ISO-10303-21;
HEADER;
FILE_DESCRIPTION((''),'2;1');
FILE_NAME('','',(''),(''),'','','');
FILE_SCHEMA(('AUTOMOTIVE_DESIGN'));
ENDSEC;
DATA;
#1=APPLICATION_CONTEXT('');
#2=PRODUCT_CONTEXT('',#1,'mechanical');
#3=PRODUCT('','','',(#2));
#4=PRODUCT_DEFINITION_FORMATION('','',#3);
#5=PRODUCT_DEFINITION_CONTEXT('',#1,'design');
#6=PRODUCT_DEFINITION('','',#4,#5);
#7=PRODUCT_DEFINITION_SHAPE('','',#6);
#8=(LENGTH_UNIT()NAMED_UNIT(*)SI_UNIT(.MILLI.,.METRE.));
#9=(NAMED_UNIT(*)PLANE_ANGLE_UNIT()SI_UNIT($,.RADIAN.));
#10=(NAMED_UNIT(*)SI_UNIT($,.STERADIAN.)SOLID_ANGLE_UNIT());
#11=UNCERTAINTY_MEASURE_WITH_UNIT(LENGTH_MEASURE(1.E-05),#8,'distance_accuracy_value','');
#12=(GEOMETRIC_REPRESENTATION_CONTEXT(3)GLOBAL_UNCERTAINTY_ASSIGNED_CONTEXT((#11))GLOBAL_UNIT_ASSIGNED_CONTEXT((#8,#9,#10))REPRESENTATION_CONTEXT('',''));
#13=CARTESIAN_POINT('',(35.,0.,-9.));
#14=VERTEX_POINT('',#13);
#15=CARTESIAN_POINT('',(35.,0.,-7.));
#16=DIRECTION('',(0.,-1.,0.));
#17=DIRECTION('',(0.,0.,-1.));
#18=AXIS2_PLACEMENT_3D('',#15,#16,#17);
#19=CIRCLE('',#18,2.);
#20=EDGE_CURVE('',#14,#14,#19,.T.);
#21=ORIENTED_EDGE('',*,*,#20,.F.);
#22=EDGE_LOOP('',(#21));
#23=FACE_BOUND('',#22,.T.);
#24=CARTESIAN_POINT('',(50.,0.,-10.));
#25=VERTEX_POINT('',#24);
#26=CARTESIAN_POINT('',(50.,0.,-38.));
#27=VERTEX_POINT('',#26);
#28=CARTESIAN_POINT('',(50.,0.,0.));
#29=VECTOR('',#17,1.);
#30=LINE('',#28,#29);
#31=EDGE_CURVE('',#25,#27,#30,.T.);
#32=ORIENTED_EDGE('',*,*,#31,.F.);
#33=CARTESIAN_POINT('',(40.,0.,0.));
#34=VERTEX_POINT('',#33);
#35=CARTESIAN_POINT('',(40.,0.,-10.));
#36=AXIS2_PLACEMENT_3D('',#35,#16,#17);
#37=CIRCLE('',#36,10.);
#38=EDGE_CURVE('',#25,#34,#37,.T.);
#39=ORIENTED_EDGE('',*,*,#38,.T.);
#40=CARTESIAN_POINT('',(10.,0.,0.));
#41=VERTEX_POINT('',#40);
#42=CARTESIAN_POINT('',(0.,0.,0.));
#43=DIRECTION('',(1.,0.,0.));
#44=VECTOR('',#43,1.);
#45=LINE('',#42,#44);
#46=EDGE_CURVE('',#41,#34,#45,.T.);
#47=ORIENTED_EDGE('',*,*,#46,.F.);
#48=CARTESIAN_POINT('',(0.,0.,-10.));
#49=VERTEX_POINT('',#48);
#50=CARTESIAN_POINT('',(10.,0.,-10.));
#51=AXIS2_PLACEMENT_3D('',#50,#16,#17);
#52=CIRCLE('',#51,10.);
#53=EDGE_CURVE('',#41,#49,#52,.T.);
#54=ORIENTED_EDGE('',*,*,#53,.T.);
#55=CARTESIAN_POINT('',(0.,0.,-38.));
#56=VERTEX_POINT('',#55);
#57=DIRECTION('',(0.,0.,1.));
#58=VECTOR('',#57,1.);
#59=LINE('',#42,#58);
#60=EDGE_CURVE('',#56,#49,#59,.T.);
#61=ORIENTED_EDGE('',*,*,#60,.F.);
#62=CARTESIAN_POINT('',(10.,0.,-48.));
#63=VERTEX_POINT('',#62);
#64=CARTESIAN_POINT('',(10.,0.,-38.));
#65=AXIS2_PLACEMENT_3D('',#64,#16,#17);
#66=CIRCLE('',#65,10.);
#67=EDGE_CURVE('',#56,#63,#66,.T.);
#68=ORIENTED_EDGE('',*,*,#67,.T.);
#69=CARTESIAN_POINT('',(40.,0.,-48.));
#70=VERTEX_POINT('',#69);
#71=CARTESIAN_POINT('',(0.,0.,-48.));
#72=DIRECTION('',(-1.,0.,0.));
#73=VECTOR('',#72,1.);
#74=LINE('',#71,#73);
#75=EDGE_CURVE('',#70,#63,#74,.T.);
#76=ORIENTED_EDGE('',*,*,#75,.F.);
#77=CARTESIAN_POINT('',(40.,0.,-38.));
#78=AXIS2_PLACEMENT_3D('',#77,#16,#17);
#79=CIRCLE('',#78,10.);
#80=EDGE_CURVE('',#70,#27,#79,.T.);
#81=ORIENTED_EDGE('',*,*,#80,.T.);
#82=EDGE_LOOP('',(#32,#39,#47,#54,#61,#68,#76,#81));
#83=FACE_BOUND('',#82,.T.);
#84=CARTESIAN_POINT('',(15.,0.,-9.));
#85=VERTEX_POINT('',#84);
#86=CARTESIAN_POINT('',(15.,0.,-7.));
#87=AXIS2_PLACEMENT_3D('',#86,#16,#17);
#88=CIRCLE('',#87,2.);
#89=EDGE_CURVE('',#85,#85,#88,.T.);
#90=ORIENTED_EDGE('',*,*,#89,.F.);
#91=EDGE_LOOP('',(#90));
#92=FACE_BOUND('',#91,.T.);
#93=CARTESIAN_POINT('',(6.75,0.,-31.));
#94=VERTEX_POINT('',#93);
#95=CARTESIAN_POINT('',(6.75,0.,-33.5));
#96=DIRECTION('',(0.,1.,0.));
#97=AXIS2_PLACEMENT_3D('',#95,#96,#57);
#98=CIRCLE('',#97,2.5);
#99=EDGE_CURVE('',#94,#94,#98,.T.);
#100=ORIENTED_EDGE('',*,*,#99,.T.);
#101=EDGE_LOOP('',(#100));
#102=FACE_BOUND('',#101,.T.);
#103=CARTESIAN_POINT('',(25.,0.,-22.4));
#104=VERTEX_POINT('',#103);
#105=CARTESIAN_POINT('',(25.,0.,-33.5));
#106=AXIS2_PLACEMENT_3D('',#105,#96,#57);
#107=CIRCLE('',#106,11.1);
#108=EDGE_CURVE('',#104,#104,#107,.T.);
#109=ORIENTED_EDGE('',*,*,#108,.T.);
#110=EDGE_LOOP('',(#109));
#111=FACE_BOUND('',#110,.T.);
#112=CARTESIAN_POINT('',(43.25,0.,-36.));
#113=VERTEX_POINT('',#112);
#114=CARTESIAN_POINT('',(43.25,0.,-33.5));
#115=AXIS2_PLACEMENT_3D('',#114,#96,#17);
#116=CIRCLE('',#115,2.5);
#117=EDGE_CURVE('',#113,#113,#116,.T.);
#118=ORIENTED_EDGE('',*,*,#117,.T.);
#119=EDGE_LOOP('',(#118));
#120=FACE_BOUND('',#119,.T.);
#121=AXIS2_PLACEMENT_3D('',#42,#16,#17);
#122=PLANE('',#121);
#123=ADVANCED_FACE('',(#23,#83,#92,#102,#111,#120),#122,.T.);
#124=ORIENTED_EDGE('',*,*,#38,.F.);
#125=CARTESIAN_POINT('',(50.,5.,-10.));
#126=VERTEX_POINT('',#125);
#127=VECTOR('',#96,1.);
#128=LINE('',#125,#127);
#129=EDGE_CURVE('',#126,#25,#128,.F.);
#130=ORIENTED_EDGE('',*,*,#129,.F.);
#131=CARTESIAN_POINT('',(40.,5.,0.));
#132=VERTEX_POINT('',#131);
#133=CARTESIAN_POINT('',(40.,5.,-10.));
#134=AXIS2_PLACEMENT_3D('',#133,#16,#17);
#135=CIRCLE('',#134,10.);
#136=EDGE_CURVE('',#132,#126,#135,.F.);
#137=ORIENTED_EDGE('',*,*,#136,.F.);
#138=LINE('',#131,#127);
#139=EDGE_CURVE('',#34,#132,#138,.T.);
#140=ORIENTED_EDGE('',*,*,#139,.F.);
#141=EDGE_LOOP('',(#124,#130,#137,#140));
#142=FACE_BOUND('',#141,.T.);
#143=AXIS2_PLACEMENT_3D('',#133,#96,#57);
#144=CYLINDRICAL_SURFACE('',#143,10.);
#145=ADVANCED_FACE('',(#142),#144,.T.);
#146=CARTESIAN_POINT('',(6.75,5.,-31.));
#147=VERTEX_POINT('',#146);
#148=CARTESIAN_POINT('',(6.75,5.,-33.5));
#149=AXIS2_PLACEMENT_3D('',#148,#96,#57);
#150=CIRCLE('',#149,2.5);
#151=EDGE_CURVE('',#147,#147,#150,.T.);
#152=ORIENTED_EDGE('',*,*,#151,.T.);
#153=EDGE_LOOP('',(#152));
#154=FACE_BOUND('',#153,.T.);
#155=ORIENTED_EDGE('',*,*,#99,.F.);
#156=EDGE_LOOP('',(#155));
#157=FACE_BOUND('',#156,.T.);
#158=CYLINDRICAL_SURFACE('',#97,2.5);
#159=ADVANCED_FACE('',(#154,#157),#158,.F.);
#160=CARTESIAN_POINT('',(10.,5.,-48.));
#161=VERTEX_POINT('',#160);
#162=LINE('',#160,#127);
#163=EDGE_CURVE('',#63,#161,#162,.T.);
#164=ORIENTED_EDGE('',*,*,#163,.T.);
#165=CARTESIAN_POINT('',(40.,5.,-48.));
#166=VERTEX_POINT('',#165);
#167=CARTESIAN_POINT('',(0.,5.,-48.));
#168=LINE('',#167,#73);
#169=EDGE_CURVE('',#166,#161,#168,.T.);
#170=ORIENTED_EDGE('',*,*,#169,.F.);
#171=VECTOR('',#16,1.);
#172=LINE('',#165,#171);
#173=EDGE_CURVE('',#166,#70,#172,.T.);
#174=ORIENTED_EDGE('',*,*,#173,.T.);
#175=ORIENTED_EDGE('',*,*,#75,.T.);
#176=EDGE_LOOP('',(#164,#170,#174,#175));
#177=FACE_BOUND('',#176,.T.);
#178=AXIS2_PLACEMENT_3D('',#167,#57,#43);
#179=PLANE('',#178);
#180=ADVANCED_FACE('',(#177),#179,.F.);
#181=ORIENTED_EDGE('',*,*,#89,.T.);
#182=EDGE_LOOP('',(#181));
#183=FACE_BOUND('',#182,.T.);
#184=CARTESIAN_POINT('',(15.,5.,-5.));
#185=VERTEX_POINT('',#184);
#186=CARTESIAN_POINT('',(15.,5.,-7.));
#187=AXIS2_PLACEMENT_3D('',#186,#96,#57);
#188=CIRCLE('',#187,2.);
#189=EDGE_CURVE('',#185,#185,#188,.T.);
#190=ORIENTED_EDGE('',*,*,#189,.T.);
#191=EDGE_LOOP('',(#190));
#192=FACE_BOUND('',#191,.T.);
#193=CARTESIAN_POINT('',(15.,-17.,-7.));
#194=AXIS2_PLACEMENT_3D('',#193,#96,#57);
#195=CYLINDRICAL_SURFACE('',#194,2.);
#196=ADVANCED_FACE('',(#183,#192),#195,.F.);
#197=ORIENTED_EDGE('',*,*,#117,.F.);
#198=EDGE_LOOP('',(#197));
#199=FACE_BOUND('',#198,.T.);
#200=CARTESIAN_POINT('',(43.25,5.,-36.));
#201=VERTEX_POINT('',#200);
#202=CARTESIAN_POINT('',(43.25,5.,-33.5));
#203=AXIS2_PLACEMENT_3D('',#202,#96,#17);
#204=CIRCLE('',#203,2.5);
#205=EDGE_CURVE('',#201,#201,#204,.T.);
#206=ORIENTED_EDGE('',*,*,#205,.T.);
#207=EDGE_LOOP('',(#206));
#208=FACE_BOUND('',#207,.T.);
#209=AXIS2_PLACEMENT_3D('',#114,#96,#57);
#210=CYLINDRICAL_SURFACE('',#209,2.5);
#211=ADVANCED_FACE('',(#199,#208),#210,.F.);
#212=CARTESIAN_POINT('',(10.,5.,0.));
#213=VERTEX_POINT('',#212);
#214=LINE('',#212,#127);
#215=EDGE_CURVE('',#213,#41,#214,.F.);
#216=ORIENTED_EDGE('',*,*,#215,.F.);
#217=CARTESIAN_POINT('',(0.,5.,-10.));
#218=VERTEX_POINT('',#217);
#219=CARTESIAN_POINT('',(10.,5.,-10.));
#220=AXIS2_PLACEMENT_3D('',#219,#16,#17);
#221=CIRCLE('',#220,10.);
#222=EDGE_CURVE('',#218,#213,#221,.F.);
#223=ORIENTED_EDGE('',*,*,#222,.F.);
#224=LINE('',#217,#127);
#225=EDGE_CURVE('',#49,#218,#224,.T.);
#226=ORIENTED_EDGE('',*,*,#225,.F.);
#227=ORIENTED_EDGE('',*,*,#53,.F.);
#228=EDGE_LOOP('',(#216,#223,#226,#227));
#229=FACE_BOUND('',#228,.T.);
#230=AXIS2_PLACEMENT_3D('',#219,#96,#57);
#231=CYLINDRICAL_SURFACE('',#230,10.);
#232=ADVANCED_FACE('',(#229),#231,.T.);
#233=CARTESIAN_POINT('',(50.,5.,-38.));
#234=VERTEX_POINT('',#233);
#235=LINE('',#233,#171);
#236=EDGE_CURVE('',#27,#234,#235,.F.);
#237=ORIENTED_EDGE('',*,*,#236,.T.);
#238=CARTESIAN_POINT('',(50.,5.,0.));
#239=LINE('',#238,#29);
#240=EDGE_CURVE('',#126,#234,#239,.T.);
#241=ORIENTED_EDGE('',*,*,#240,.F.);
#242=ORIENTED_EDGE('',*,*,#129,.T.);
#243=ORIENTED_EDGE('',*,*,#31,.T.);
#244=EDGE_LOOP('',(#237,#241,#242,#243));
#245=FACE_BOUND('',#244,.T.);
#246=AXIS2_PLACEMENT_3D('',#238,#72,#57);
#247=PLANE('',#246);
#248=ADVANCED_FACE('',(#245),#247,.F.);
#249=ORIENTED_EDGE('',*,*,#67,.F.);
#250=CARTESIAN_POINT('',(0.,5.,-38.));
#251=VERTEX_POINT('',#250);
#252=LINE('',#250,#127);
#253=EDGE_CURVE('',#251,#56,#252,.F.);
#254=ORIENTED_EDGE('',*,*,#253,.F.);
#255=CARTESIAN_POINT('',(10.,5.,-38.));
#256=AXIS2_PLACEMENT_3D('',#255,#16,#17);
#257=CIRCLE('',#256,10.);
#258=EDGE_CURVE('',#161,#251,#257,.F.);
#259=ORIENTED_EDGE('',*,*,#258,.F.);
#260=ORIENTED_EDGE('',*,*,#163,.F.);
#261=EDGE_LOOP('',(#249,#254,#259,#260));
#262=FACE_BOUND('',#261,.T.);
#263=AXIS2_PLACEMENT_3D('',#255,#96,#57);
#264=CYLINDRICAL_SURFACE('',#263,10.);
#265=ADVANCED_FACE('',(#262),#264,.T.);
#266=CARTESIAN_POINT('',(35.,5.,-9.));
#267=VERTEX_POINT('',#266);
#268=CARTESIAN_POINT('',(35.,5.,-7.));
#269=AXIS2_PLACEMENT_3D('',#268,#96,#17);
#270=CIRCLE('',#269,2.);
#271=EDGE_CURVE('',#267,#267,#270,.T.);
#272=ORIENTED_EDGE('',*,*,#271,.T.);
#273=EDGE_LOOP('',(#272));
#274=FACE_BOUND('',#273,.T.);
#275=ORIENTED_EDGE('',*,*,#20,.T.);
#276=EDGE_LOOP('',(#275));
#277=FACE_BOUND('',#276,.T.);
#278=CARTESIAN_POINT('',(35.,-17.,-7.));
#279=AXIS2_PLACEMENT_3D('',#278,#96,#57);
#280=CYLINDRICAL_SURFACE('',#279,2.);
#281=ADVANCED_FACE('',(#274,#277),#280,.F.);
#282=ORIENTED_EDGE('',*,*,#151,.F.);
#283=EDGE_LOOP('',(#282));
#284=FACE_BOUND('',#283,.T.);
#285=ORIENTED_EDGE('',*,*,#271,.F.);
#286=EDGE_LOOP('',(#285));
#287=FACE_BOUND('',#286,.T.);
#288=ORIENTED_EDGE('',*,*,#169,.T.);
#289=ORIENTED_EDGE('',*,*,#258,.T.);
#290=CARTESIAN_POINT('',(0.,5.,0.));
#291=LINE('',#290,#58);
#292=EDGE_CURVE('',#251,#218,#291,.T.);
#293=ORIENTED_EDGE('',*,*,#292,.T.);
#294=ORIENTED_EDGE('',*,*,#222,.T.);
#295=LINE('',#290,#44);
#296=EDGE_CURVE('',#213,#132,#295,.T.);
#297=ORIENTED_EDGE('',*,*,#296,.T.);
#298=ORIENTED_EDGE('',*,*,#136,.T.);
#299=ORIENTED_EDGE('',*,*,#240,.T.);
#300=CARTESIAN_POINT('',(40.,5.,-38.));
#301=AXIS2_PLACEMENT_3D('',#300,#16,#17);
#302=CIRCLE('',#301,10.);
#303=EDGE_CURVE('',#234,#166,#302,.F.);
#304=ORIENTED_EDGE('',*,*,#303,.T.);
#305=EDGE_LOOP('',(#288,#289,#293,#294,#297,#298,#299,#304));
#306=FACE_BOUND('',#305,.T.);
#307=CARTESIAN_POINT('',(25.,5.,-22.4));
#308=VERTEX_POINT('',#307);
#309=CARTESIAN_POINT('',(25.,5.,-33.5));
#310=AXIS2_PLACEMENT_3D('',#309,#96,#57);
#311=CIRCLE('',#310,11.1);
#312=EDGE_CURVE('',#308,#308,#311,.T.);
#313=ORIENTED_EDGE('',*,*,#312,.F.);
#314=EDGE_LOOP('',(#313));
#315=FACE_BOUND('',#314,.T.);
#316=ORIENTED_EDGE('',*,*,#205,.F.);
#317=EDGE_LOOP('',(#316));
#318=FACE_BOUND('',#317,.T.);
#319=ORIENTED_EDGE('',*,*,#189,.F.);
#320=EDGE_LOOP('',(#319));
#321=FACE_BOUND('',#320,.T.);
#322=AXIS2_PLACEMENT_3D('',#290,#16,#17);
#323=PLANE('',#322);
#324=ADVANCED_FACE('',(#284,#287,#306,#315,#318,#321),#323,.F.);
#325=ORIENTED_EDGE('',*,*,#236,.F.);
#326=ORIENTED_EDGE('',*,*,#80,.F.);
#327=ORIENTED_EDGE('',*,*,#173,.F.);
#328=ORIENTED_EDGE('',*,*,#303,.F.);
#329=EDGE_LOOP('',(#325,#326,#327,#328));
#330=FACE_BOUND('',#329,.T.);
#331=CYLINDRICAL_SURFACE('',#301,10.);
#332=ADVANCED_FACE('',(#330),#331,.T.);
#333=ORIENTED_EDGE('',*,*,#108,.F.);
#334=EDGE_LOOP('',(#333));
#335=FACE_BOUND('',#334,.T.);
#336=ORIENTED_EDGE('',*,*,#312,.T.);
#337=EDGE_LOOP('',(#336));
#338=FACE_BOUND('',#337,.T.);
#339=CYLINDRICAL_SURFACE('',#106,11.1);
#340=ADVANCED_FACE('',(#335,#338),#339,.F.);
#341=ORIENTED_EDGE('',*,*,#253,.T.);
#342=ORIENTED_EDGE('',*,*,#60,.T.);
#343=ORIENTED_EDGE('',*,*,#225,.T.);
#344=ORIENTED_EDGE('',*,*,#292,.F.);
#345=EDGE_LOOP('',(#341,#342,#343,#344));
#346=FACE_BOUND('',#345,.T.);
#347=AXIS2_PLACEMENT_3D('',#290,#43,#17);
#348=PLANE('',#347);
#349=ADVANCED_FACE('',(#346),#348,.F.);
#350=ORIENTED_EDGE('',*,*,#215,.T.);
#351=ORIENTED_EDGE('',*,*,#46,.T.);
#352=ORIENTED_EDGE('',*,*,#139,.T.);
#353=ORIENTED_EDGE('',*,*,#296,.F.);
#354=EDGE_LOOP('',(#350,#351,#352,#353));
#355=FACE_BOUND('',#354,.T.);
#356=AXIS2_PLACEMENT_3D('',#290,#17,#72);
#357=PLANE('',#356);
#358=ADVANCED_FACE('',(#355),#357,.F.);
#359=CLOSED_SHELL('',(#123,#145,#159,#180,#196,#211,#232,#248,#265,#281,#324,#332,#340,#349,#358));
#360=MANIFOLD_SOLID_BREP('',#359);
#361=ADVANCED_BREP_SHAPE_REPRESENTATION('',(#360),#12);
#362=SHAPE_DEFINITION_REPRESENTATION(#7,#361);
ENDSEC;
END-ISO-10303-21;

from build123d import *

# Parameters (mm, degrees)
ESBO_O1_W                = 50
ESBO_O1_H                = 48
RESSALTO_EXTRUS_O1_DEPTH = 5
ESBO_O2_R                = 11.1
ESBO_O2_R_2              = 2.5
CORTE_EXTRUS_O1_DEPTH    = 5
FILETE1_R                = 10
FILETE2_R                = 10
FILETE3_R                = 10
FILETE4_R                = 10
ESBO_O3_R                = 2
CORTE_EXTRUS_O2_DEPTH    = 22


with BuildPart() as part:
    # Esboço1 → Ressalto-extrusão1 (new body)
    with BuildSketch(Plane(origin=(0, 0, 0), x_dir=(1, 0, 0), z_dir=(0, 1, 0))):
        with Locations((25, 24)):
            Rectangle(ESBO_O1_W, ESBO_O1_H)
    extrude(amount=RESSALTO_EXTRUS_O1_DEPTH)

    # Esboço2 → Corte-extrusão1 (cut)
    with BuildSketch(Plane(origin=(0, 5, 0), x_dir=(1, 0, 0), z_dir=(0, 1, 0))):
        with Locations(Location((25, 33.5, 0), (0, 0, 270))):
            Circle(ESBO_O2_R)
        with Locations(Location((6.75, 33.5, 0), (0, 0, 270))):
            Circle(ESBO_O2_R_2)
        with Locations(Location((43.25, 33.5, 0), (0, 0, 90))):
            Circle(ESBO_O2_R_2)
    extrude(amount=-CORTE_EXTRUS_O1_DEPTH, mode=Mode.SUBTRACT)

    # Filete1
    filete1_edges = [part.edges().sort_by_distance(p)[0] for p in [
        (50, 2.5, 0),
    ]]
    fillet(filete1_edges, radius=FILETE1_R)

    # Filete2
    filete2_edges = [part.edges().sort_by_distance(p)[0] for p in [
        (0, 2.5, 0),
    ]]
    fillet(filete2_edges, radius=FILETE2_R)

    # Filete3
    filete3_edges = [part.edges().sort_by_distance(p)[0] for p in [
        (50, 2.5, -48),
    ]]
    fillet(filete3_edges, radius=FILETE3_R)

    # Filete4
    filete4_edges = [part.edges().sort_by_distance(p)[0] for p in [
        (0, 2.5, -48),
    ]]
    fillet(filete4_edges, radius=FILETE4_R)

    # Esboço3 → Corte-extrusão2 (cut)
    with BuildSketch(Plane(origin=(0, 5, 0), x_dir=(1, 0, 0), z_dir=(0, 1, 0))):
        with Locations(Location((15, 7, 0), (0, 0, 270))):
            Circle(ESBO_O3_R)
        with Locations(Location((35, 7, 0), (0, 0, 90))):
            Circle(ESBO_O3_R)
    extrude(amount=-CORTE_EXTRUS_O2_DEPTH, mode=Mode.SUBTRACT)


solid = part.part
